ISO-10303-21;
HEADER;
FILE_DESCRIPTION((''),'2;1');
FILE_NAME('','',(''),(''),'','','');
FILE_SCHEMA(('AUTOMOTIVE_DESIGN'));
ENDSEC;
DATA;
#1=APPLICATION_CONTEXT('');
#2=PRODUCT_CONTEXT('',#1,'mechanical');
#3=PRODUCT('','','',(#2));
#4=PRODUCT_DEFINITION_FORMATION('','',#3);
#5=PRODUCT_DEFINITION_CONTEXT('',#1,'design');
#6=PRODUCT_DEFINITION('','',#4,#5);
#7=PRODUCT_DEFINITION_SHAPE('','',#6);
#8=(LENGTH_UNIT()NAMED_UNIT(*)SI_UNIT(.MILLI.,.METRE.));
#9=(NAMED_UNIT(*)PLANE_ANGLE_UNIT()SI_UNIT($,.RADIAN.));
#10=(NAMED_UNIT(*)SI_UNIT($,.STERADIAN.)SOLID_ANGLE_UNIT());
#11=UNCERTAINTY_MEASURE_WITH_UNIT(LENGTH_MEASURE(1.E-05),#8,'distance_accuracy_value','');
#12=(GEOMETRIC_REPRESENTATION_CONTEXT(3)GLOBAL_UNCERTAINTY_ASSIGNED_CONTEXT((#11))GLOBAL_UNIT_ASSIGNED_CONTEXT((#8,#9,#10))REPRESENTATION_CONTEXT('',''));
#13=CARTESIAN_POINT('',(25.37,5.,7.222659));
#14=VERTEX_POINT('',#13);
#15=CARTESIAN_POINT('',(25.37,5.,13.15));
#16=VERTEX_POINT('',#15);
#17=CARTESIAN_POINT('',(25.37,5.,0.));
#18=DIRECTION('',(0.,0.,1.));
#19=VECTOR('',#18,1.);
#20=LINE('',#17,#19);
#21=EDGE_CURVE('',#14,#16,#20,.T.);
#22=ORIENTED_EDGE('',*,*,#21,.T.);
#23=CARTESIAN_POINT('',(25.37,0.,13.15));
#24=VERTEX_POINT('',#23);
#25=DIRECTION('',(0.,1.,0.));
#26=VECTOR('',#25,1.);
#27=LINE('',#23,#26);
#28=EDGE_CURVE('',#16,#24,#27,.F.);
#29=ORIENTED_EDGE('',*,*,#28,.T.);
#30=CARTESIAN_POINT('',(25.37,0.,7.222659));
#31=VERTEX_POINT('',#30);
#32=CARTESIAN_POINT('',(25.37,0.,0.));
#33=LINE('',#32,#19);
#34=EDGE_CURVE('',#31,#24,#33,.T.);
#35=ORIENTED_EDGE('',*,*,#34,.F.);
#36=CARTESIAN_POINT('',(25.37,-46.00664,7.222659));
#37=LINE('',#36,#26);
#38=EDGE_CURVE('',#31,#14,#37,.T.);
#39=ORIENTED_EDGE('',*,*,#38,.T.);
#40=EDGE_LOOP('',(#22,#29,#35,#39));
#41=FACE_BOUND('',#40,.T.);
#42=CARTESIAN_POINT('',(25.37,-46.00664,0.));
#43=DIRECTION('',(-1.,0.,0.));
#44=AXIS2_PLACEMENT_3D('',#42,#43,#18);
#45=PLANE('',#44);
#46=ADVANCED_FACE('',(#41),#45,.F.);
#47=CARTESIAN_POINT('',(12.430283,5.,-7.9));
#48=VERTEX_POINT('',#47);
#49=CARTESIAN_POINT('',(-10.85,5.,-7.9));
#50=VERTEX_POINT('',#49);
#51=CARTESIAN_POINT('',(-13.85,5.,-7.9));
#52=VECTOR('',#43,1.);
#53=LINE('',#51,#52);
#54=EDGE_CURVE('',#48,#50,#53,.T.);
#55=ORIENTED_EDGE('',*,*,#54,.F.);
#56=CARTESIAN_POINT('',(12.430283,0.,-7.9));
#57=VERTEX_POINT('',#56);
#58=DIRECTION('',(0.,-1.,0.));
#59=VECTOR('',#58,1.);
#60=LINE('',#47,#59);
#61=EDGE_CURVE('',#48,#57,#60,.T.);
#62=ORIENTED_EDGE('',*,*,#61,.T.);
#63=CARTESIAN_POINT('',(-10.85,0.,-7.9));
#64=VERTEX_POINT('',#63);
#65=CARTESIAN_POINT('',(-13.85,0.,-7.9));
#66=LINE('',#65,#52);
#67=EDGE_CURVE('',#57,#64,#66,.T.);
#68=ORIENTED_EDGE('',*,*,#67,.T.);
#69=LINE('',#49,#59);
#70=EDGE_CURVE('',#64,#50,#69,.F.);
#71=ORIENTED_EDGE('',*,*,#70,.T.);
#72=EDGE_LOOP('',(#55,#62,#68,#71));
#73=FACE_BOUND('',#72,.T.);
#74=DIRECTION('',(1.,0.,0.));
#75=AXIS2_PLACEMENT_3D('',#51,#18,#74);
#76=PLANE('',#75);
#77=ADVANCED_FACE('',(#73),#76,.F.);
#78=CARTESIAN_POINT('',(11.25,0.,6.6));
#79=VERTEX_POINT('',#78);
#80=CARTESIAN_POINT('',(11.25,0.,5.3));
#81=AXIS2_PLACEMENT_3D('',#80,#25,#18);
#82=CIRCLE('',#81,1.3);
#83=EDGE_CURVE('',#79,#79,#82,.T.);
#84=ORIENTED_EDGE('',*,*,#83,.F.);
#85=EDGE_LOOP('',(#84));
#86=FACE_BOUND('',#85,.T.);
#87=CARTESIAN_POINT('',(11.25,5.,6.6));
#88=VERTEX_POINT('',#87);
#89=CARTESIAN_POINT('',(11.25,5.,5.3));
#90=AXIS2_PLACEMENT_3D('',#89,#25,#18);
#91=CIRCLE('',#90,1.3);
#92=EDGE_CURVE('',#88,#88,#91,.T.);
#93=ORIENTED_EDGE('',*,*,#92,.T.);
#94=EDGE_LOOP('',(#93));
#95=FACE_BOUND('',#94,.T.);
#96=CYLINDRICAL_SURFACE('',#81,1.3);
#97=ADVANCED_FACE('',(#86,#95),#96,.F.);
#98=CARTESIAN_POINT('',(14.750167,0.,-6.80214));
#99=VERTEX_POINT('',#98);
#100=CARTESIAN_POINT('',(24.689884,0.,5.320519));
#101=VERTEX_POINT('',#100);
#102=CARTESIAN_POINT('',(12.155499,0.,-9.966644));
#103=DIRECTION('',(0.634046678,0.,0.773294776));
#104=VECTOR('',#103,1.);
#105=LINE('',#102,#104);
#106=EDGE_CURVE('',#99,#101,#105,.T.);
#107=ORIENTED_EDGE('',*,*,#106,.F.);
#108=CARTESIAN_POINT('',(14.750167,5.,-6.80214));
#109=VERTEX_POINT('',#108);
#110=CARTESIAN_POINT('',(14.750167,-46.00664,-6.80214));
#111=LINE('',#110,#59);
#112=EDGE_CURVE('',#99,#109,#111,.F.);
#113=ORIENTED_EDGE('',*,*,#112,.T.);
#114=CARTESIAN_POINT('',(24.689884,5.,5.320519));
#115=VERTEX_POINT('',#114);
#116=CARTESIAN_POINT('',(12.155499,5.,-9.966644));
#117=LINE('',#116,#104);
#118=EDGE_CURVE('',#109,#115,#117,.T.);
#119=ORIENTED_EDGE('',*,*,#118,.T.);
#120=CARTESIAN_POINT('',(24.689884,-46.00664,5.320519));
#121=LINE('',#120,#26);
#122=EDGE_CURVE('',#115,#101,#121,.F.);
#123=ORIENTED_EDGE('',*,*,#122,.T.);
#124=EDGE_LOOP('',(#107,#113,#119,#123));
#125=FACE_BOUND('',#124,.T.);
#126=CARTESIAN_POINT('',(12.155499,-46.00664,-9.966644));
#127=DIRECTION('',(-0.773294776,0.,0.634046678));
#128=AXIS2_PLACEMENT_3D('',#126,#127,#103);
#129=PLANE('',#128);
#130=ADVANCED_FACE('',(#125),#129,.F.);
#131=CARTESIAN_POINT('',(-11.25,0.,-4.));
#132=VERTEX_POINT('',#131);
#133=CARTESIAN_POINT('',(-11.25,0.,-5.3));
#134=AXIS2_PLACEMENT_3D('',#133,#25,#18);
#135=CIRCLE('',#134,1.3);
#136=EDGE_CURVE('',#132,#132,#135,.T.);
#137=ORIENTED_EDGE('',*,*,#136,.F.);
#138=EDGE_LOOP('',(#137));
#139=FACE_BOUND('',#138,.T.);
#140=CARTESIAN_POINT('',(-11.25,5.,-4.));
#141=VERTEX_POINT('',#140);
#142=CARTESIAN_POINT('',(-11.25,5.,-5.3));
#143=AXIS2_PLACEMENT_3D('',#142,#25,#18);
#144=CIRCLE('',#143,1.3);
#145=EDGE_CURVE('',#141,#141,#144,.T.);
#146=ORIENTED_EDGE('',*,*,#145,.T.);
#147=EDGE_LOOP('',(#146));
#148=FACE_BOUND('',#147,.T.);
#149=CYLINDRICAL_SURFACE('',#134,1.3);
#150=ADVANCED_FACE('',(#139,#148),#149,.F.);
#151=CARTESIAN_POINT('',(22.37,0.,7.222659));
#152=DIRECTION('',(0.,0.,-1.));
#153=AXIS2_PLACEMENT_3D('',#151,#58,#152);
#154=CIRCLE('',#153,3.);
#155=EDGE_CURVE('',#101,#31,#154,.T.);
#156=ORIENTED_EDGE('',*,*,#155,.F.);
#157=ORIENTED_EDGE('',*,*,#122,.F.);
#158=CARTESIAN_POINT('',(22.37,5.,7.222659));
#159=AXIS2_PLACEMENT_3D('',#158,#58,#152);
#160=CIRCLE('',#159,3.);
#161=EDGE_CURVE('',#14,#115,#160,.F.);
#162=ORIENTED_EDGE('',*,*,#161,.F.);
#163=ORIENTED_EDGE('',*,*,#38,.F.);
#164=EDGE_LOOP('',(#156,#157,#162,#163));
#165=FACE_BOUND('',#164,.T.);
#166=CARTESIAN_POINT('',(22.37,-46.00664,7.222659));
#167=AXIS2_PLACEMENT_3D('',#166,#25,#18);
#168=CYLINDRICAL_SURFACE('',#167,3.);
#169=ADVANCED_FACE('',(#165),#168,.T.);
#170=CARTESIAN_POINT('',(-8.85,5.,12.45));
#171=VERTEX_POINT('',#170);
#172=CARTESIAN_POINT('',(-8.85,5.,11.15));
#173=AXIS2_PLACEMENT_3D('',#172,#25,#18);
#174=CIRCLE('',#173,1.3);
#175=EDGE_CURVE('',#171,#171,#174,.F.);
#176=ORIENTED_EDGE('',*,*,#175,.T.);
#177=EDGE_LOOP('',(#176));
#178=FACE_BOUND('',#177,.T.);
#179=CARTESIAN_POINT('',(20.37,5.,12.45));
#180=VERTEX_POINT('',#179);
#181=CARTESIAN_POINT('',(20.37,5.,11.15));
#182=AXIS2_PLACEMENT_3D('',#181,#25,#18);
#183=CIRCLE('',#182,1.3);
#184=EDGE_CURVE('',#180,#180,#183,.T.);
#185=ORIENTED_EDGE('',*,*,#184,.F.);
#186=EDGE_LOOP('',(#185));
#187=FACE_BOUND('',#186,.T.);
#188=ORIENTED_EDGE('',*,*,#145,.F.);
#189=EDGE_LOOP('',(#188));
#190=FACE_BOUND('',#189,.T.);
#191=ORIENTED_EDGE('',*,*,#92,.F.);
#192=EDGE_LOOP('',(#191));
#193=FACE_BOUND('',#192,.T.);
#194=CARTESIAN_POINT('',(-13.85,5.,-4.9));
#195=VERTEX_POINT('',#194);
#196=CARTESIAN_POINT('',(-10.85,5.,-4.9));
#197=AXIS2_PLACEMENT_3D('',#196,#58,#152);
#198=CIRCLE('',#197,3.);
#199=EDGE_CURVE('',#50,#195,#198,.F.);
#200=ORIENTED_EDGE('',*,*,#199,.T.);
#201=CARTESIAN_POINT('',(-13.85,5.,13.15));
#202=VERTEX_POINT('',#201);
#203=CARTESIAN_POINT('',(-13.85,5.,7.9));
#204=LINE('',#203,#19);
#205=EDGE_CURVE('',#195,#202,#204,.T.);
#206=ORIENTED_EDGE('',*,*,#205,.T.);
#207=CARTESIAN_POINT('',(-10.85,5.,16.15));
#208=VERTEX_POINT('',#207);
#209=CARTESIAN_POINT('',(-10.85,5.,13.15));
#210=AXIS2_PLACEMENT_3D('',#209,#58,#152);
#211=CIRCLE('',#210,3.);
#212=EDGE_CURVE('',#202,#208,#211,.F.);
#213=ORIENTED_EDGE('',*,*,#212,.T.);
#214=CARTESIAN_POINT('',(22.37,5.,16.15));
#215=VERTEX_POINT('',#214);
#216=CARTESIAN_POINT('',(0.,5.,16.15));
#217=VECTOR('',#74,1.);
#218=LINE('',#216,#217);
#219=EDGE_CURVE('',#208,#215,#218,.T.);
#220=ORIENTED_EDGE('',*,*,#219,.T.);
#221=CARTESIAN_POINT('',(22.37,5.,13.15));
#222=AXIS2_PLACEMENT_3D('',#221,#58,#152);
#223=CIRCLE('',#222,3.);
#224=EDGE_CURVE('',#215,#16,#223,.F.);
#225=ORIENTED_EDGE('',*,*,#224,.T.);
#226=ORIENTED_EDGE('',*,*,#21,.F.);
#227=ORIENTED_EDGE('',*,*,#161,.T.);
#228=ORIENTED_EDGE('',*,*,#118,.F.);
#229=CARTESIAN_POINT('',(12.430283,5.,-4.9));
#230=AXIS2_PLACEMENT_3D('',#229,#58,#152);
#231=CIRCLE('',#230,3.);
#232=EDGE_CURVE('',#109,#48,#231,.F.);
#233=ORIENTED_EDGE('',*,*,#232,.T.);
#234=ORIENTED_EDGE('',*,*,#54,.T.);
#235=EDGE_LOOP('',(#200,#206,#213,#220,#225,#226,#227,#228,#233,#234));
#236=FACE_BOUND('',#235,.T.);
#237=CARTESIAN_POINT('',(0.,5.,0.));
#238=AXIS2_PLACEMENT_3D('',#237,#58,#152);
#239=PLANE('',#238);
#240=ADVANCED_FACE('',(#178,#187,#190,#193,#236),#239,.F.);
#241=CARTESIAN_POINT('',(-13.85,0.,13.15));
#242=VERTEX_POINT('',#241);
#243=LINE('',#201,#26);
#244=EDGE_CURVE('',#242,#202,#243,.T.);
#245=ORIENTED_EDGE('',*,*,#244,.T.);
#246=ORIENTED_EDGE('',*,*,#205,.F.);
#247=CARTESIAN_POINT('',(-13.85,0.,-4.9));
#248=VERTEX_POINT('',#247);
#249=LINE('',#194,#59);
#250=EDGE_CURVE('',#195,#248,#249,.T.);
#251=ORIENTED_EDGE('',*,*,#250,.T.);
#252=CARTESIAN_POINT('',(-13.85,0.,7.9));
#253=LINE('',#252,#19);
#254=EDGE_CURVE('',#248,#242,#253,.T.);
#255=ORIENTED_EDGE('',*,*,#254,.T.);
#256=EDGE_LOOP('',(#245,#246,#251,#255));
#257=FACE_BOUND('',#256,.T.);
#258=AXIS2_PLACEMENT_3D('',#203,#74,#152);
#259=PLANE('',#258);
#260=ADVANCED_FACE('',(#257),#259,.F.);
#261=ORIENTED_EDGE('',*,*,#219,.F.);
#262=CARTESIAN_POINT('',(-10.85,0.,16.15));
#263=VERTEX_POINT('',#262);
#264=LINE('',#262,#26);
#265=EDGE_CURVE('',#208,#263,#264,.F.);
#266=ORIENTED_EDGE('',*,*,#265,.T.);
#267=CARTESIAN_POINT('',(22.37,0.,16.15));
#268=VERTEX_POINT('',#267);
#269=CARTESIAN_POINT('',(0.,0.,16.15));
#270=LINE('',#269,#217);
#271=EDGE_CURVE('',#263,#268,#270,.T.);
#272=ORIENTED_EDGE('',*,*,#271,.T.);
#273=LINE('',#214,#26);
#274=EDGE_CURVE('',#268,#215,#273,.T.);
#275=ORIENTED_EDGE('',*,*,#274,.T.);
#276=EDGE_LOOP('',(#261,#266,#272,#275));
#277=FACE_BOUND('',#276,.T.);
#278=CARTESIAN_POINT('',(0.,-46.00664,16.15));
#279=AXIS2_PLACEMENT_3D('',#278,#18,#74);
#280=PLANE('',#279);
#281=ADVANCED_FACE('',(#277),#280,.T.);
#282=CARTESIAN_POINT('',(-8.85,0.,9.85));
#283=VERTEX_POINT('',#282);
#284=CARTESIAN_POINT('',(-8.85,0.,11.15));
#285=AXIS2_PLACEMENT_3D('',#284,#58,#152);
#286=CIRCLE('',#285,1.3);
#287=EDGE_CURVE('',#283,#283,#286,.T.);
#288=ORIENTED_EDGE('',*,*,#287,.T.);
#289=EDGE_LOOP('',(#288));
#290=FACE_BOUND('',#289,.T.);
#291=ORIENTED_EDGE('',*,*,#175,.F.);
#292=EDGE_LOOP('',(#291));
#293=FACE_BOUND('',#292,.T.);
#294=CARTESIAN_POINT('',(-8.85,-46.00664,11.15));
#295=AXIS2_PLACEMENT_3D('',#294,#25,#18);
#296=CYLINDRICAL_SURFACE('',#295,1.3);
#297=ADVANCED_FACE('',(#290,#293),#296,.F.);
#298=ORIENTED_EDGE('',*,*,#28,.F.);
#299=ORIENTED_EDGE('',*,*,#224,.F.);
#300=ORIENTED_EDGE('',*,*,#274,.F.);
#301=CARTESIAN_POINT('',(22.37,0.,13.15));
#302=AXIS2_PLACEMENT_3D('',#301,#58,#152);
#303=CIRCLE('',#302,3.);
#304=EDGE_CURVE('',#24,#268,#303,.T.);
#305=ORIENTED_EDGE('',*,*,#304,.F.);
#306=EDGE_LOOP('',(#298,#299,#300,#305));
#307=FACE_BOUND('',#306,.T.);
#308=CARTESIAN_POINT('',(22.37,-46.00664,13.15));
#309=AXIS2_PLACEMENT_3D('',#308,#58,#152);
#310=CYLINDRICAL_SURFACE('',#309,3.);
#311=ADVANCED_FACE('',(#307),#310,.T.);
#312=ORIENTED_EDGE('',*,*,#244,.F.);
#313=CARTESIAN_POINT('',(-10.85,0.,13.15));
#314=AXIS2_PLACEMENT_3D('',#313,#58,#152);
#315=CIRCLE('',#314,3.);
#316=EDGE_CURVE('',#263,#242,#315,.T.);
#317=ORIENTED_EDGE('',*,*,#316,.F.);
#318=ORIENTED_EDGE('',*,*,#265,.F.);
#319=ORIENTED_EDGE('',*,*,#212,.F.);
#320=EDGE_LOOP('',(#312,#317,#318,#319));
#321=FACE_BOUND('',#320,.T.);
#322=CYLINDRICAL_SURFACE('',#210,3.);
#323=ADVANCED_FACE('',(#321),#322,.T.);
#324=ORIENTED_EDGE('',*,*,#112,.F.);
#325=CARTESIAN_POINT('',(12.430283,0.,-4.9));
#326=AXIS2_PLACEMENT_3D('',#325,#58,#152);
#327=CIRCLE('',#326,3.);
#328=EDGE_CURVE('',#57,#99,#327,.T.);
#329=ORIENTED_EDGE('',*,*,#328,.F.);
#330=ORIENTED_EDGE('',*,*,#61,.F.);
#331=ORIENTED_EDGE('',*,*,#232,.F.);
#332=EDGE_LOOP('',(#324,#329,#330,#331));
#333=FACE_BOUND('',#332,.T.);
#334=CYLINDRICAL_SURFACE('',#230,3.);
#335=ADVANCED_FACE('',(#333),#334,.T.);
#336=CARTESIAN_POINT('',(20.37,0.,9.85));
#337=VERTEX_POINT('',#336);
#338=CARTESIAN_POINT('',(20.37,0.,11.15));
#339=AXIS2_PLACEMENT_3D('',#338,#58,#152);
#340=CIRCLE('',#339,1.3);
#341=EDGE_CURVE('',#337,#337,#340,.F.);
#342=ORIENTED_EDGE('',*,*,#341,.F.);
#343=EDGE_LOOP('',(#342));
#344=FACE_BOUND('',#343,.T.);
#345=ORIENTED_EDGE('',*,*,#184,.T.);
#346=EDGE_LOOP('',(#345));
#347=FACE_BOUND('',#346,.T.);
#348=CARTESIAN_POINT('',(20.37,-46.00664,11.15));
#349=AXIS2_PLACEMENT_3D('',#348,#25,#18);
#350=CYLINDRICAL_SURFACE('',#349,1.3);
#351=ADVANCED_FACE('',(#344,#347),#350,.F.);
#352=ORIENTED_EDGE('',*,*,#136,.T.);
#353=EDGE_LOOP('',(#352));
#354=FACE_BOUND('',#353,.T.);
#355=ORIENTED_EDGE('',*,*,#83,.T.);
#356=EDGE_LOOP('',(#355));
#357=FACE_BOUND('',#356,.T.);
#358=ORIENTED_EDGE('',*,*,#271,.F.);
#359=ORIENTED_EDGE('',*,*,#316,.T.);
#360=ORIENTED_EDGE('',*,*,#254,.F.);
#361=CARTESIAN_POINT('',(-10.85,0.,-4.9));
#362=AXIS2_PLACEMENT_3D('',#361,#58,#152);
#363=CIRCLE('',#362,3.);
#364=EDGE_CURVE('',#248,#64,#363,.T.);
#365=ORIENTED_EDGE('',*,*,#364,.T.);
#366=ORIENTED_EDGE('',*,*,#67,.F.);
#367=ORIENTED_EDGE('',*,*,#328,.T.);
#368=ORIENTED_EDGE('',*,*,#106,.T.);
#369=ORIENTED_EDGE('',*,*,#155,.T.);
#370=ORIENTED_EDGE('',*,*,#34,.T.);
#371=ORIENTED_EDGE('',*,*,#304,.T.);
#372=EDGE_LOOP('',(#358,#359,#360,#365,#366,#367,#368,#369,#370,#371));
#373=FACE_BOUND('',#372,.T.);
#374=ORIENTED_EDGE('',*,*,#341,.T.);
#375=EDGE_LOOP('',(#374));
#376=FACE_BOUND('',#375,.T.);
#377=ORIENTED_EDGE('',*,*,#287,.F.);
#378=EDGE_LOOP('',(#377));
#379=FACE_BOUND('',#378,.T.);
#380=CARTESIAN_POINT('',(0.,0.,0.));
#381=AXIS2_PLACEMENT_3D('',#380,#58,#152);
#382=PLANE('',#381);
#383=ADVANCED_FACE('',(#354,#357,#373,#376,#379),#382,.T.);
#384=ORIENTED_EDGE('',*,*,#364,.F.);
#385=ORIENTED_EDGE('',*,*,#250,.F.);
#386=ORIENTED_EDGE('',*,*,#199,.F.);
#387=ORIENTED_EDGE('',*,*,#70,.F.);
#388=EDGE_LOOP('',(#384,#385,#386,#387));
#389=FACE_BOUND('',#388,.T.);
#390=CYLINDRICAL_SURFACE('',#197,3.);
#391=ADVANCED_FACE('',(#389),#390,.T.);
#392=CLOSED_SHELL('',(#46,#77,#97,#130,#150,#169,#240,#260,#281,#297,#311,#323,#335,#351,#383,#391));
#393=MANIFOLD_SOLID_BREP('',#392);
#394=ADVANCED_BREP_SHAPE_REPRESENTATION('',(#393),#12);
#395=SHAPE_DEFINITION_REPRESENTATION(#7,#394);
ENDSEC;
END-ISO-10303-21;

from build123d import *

# Parameters (mm, degrees)
SKETCH_1_W          = 27.7
SKETCH_1_H          = 15.8
EXTRUDE_1_DEPTH     = 5
SKETCH_2_R          = 1.3
CUT_EXTRUDE_1_DEPTH = 17.710251345
SKETCH_3_R          = 1.3
EXTRUDE_2_DEPTH     = 5
FILLET_1_R          = 3


with BuildPart() as part:
    # ｽｹｯﾁ1 → ﾎﾞｽ - 押し出し1 (new body)
    with BuildSketch(Plane(origin=(0, 0, 0), x_dir=(1, 0, 0), z_dir=(0, 1, 0))):
        Rectangle(SKETCH_1_W, SKETCH_1_H)
    extrude(amount=EXTRUDE_1_DEPTH)

    # ｽｹｯﾁ2 → ｶｯﾄ - 押し出し1 (cut, through all)
    with BuildSketch(Plane(origin=(0, 5, 0), x_dir=(1, 0, 0), z_dir=(0, 1, 0))):
        with Locations(Location((-11.25, 5.3, 0), (0, 0, 270))):
            Circle(SKETCH_2_R)
        with Locations(Location((11.25, -5.3, 0), (0, 0, 270))):
            Circle(SKETCH_2_R)
    extrude(amount=-CUT_EXTRUDE_1_DEPTH, mode=Mode.SUBTRACT)

    # ｽｹｯﾁ3 → ﾎﾞｽ - 押し出し2 (add)
    # profile 1 of 2: a face of its own
    with BuildSketch(Plane(origin=(0, 5, 0), x_dir=(1, 0, 0), z_dir=(0, 1, 0))):
        Polygon((25.37, -6.15), (13.85, -6.15), (13.85, -7.9), (-13.85, -7.9), (-13.85, -16.15), (25.37, -16.15), align=None)
        with Locations(Location((-8.85, -11.15, 0), (0, 0, 270))):
            Circle(SKETCH_3_R, mode=Mode.SUBTRACT)
        with Locations(Location((20.37, -11.15, 0), (0, 0, 270))):
            Circle(SKETCH_3_R, mode=Mode.SUBTRACT)
    # profile 2 of 2: a face of its own
    with BuildSketch(Plane(origin=(0, 5, 0), x_dir=(1, 0, 0), z_dir=(0, 1, 0))):
        Polygon((13.85, 7.9), (13.85, -6.15), (25.37, -6.15), align=None)
    extrude(amount=-EXTRUDE_2_DEPTH)

    # ﾌｨﾚｯﾄ1
    fillet_1_edges = [part.edges().sort_by_distance(p)[0] for p in [
        (-13.85, 2.5, 16.15),
        (25.37, 2.5, 16.15),
        (25.37, 2.5, 6.15),
        (-13.85, 2.5, -7.9),
        (13.85, 2.5, -7.9),
    ]]
    fillet(fillet_1_edges, radius=FILLET_1_R)


solid = part.part
